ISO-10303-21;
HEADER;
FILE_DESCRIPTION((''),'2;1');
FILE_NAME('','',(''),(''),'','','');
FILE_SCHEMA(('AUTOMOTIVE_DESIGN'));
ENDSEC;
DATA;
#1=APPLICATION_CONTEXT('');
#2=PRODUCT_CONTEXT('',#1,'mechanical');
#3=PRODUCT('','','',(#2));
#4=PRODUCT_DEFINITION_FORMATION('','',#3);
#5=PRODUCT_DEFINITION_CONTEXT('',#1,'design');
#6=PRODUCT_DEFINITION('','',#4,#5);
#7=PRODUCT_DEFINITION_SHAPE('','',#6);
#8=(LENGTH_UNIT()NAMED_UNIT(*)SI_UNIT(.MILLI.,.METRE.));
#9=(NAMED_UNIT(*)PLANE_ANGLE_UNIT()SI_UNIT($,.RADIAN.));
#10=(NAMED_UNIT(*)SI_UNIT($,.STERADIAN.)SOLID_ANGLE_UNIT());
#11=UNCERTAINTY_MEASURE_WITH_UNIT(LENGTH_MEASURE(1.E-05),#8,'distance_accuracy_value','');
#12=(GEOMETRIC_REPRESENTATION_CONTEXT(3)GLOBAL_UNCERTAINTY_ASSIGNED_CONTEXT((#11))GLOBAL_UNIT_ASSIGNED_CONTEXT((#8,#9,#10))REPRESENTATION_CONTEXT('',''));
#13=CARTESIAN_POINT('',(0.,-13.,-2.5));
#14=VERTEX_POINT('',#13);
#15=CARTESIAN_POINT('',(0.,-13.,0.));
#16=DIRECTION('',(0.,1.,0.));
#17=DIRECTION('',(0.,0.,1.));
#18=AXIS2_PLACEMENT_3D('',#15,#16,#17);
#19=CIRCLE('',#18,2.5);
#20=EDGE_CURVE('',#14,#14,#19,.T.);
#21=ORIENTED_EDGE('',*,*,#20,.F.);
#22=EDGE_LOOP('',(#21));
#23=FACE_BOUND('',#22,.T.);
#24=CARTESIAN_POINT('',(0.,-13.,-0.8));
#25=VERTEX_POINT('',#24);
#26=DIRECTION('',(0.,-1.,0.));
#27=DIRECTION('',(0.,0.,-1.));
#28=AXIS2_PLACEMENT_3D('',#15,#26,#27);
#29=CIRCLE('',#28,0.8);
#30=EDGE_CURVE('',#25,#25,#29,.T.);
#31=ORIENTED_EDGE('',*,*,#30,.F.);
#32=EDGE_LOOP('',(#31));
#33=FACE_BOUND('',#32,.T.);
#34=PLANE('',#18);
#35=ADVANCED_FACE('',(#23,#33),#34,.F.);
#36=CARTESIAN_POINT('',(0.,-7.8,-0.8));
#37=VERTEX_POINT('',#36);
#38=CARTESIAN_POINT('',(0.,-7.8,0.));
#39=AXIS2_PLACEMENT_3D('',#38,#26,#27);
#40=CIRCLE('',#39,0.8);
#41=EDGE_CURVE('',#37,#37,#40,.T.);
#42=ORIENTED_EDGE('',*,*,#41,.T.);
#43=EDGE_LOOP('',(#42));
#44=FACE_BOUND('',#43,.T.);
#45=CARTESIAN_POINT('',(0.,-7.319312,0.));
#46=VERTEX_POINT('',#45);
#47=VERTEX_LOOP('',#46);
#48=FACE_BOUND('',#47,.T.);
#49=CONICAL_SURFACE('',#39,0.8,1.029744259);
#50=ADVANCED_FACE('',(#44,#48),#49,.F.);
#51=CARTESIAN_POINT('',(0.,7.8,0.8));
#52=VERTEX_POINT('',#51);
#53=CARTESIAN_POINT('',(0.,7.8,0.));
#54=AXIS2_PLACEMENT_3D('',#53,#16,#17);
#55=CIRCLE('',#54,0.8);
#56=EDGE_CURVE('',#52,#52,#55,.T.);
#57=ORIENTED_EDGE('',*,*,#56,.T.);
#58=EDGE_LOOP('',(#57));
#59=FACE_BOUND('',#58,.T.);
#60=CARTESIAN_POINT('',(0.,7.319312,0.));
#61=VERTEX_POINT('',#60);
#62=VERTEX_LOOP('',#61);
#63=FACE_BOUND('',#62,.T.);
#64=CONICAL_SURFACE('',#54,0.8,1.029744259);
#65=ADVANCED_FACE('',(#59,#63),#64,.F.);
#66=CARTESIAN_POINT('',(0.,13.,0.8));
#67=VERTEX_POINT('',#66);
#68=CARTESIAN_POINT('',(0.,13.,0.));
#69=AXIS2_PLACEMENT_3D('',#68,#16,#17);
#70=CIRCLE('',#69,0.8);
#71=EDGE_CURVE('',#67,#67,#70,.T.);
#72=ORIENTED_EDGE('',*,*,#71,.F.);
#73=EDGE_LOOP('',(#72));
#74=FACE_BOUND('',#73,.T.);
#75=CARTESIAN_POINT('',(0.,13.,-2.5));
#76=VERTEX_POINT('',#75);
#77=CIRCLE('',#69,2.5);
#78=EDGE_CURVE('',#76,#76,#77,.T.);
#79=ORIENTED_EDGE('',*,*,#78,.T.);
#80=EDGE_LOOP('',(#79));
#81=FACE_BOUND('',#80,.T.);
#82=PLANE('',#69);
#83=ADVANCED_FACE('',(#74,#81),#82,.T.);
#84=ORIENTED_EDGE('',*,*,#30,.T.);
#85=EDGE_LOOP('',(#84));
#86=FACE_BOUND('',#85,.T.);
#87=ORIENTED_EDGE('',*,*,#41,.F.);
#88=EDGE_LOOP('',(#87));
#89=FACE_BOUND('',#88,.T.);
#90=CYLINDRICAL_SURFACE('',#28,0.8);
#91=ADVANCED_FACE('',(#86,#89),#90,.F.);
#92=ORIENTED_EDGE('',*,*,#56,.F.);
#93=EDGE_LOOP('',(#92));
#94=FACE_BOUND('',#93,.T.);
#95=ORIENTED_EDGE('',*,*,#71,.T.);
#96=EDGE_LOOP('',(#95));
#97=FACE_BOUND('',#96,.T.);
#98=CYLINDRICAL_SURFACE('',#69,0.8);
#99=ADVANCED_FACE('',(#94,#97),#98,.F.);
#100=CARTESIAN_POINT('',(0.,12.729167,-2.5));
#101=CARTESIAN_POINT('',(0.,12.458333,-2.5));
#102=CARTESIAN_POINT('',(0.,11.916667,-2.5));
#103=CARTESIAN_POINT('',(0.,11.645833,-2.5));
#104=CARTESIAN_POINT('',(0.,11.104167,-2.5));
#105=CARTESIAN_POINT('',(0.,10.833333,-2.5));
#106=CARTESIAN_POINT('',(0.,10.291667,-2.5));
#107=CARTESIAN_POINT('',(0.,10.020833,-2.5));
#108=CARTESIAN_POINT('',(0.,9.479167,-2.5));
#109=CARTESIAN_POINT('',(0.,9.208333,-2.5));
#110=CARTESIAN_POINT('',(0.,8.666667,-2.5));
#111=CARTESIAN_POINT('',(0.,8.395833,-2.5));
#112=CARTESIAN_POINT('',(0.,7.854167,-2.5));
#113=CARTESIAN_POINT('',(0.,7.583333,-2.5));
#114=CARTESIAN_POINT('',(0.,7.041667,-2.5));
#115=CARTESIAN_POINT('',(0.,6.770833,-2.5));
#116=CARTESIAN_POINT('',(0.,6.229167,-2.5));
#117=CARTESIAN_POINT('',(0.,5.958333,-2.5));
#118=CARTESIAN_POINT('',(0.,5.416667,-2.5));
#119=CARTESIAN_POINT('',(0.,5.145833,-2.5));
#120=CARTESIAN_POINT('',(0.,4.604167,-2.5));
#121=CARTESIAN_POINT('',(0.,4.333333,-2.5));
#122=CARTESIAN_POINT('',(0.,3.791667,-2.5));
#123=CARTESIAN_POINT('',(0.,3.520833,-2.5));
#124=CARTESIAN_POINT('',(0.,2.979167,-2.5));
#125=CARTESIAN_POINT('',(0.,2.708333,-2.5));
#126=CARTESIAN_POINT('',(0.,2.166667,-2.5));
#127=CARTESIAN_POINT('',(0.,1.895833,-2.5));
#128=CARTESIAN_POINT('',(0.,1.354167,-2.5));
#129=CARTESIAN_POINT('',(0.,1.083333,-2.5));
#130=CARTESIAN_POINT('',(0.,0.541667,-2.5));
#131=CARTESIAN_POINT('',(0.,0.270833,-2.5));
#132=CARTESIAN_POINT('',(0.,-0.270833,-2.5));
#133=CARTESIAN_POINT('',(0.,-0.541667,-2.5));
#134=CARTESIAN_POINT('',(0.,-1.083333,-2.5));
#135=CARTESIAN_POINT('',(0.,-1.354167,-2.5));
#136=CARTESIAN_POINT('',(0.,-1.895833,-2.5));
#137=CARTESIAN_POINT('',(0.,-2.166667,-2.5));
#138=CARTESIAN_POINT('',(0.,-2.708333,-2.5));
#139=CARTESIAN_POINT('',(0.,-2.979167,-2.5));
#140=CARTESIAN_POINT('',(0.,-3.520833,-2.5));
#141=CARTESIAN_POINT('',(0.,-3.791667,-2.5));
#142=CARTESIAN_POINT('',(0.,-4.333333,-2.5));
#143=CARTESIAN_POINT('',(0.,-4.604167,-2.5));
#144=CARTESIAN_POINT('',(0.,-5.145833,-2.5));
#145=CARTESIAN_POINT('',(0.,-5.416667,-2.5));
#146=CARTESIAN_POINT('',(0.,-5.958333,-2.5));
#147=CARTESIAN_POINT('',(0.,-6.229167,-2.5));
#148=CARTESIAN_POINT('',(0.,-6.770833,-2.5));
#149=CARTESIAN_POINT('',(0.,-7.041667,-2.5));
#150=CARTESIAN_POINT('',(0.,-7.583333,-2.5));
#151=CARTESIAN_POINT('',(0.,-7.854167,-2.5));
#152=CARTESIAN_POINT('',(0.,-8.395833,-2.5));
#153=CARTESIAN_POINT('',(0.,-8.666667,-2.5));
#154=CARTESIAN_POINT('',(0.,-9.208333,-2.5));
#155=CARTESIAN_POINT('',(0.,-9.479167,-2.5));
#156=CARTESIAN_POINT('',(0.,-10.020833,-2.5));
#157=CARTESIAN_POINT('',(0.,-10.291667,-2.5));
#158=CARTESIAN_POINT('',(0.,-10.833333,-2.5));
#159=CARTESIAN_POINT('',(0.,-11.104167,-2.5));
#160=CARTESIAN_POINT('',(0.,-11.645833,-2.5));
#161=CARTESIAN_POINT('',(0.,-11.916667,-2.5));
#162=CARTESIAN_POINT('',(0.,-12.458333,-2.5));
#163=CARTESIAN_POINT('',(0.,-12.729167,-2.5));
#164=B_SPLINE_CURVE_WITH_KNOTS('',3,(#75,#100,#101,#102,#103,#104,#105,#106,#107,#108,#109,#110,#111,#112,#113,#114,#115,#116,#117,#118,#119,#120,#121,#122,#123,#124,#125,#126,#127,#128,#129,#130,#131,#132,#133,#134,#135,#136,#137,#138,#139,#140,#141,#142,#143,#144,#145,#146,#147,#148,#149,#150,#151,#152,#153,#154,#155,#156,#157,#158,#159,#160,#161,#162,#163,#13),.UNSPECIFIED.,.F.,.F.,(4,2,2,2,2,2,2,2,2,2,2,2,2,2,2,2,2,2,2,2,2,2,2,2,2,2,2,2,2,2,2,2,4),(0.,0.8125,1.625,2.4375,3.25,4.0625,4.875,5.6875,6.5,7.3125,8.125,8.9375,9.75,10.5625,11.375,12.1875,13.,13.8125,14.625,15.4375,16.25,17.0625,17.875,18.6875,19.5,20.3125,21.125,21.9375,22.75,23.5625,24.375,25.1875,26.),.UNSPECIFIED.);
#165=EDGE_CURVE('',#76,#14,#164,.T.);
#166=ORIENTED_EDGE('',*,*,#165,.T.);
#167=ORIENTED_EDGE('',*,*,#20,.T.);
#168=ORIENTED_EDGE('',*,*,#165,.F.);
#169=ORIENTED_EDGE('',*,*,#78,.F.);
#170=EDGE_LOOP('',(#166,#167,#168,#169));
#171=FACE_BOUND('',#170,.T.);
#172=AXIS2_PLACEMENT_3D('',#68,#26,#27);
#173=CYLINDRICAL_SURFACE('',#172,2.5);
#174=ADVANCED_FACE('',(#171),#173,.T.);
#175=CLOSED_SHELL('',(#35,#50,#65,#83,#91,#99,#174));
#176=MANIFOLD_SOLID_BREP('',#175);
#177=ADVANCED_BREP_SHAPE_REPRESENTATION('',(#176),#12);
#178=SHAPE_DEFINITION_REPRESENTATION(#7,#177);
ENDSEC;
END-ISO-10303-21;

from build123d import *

# Parameters (mm, degrees)
SKETCH1_R                           = 2.5
BOSS_EXTRUDE1_DEPTH                 = 13
M2X0_4_TAPPED_HOLE1_D               = 1.6
M2X0_4_TAPPED_HOLE1_DEPTH           = 5.2
M2X0_4_TAPPED_HOLE1_TIP             = 0.480688495
M2X0_4_TAPPED_HOLE1_ON_FACE_2_D     = 1.6
M2X0_4_TAPPED_HOLE1_ON_FACE_2_DEPTH = 5.2
M2X0_4_TAPPED_HOLE1_ON_FACE_2_TIP   = 0.480688495


with BuildPart() as part:
    # Sketch1 → Boss-Extrude1 (new, symmetric)
    with BuildSketch(Plane(origin=(0, 0, 0), x_dir=(1, 0, 0), z_dir=(0, 1, 0))):
        Circle(SKETCH1_R)
    extrude(amount=BOSS_EXTRUDE1_DEPTH, both=True)

    # M2x0.4 Tapped Hole1
    with Locations(Plane.ZX.offset(13)):
        with Locations((0, 0)):
            Hole(M2X0_4_TAPPED_HOLE1_D / 2, depth=M2X0_4_TAPPED_HOLE1_DEPTH)
            with Locations((0, 0, -(M2X0_4_TAPPED_HOLE1_DEPTH + M2X0_4_TAPPED_HOLE1_TIP / 2))):  # 118° drill point
                Cone(0, M2X0_4_TAPPED_HOLE1_D / 2, M2X0_4_TAPPED_HOLE1_TIP, mode=Mode.SUBTRACT)

    # M2x0.4 Tapped Hole1 on face 2
    with Locations(Plane(origin=(0, -13, 0), x_dir=(0, 0, -1), z_dir=(0, -1, 0))):
        with Locations((0, 0)):
            Hole(M2X0_4_TAPPED_HOLE1_ON_FACE_2_D / 2, depth=M2X0_4_TAPPED_HOLE1_ON_FACE_2_DEPTH)
            with Locations((0, 0, -(M2X0_4_TAPPED_HOLE1_ON_FACE_2_DEPTH + M2X0_4_TAPPED_HOLE1_ON_FACE_2_TIP / 2))):  # 118° drill point
                Cone(0, M2X0_4_TAPPED_HOLE1_ON_FACE_2_D / 2, M2X0_4_TAPPED_HOLE1_ON_FACE_2_TIP, mode=Mode.SUBTRACT)


solid = part.part
